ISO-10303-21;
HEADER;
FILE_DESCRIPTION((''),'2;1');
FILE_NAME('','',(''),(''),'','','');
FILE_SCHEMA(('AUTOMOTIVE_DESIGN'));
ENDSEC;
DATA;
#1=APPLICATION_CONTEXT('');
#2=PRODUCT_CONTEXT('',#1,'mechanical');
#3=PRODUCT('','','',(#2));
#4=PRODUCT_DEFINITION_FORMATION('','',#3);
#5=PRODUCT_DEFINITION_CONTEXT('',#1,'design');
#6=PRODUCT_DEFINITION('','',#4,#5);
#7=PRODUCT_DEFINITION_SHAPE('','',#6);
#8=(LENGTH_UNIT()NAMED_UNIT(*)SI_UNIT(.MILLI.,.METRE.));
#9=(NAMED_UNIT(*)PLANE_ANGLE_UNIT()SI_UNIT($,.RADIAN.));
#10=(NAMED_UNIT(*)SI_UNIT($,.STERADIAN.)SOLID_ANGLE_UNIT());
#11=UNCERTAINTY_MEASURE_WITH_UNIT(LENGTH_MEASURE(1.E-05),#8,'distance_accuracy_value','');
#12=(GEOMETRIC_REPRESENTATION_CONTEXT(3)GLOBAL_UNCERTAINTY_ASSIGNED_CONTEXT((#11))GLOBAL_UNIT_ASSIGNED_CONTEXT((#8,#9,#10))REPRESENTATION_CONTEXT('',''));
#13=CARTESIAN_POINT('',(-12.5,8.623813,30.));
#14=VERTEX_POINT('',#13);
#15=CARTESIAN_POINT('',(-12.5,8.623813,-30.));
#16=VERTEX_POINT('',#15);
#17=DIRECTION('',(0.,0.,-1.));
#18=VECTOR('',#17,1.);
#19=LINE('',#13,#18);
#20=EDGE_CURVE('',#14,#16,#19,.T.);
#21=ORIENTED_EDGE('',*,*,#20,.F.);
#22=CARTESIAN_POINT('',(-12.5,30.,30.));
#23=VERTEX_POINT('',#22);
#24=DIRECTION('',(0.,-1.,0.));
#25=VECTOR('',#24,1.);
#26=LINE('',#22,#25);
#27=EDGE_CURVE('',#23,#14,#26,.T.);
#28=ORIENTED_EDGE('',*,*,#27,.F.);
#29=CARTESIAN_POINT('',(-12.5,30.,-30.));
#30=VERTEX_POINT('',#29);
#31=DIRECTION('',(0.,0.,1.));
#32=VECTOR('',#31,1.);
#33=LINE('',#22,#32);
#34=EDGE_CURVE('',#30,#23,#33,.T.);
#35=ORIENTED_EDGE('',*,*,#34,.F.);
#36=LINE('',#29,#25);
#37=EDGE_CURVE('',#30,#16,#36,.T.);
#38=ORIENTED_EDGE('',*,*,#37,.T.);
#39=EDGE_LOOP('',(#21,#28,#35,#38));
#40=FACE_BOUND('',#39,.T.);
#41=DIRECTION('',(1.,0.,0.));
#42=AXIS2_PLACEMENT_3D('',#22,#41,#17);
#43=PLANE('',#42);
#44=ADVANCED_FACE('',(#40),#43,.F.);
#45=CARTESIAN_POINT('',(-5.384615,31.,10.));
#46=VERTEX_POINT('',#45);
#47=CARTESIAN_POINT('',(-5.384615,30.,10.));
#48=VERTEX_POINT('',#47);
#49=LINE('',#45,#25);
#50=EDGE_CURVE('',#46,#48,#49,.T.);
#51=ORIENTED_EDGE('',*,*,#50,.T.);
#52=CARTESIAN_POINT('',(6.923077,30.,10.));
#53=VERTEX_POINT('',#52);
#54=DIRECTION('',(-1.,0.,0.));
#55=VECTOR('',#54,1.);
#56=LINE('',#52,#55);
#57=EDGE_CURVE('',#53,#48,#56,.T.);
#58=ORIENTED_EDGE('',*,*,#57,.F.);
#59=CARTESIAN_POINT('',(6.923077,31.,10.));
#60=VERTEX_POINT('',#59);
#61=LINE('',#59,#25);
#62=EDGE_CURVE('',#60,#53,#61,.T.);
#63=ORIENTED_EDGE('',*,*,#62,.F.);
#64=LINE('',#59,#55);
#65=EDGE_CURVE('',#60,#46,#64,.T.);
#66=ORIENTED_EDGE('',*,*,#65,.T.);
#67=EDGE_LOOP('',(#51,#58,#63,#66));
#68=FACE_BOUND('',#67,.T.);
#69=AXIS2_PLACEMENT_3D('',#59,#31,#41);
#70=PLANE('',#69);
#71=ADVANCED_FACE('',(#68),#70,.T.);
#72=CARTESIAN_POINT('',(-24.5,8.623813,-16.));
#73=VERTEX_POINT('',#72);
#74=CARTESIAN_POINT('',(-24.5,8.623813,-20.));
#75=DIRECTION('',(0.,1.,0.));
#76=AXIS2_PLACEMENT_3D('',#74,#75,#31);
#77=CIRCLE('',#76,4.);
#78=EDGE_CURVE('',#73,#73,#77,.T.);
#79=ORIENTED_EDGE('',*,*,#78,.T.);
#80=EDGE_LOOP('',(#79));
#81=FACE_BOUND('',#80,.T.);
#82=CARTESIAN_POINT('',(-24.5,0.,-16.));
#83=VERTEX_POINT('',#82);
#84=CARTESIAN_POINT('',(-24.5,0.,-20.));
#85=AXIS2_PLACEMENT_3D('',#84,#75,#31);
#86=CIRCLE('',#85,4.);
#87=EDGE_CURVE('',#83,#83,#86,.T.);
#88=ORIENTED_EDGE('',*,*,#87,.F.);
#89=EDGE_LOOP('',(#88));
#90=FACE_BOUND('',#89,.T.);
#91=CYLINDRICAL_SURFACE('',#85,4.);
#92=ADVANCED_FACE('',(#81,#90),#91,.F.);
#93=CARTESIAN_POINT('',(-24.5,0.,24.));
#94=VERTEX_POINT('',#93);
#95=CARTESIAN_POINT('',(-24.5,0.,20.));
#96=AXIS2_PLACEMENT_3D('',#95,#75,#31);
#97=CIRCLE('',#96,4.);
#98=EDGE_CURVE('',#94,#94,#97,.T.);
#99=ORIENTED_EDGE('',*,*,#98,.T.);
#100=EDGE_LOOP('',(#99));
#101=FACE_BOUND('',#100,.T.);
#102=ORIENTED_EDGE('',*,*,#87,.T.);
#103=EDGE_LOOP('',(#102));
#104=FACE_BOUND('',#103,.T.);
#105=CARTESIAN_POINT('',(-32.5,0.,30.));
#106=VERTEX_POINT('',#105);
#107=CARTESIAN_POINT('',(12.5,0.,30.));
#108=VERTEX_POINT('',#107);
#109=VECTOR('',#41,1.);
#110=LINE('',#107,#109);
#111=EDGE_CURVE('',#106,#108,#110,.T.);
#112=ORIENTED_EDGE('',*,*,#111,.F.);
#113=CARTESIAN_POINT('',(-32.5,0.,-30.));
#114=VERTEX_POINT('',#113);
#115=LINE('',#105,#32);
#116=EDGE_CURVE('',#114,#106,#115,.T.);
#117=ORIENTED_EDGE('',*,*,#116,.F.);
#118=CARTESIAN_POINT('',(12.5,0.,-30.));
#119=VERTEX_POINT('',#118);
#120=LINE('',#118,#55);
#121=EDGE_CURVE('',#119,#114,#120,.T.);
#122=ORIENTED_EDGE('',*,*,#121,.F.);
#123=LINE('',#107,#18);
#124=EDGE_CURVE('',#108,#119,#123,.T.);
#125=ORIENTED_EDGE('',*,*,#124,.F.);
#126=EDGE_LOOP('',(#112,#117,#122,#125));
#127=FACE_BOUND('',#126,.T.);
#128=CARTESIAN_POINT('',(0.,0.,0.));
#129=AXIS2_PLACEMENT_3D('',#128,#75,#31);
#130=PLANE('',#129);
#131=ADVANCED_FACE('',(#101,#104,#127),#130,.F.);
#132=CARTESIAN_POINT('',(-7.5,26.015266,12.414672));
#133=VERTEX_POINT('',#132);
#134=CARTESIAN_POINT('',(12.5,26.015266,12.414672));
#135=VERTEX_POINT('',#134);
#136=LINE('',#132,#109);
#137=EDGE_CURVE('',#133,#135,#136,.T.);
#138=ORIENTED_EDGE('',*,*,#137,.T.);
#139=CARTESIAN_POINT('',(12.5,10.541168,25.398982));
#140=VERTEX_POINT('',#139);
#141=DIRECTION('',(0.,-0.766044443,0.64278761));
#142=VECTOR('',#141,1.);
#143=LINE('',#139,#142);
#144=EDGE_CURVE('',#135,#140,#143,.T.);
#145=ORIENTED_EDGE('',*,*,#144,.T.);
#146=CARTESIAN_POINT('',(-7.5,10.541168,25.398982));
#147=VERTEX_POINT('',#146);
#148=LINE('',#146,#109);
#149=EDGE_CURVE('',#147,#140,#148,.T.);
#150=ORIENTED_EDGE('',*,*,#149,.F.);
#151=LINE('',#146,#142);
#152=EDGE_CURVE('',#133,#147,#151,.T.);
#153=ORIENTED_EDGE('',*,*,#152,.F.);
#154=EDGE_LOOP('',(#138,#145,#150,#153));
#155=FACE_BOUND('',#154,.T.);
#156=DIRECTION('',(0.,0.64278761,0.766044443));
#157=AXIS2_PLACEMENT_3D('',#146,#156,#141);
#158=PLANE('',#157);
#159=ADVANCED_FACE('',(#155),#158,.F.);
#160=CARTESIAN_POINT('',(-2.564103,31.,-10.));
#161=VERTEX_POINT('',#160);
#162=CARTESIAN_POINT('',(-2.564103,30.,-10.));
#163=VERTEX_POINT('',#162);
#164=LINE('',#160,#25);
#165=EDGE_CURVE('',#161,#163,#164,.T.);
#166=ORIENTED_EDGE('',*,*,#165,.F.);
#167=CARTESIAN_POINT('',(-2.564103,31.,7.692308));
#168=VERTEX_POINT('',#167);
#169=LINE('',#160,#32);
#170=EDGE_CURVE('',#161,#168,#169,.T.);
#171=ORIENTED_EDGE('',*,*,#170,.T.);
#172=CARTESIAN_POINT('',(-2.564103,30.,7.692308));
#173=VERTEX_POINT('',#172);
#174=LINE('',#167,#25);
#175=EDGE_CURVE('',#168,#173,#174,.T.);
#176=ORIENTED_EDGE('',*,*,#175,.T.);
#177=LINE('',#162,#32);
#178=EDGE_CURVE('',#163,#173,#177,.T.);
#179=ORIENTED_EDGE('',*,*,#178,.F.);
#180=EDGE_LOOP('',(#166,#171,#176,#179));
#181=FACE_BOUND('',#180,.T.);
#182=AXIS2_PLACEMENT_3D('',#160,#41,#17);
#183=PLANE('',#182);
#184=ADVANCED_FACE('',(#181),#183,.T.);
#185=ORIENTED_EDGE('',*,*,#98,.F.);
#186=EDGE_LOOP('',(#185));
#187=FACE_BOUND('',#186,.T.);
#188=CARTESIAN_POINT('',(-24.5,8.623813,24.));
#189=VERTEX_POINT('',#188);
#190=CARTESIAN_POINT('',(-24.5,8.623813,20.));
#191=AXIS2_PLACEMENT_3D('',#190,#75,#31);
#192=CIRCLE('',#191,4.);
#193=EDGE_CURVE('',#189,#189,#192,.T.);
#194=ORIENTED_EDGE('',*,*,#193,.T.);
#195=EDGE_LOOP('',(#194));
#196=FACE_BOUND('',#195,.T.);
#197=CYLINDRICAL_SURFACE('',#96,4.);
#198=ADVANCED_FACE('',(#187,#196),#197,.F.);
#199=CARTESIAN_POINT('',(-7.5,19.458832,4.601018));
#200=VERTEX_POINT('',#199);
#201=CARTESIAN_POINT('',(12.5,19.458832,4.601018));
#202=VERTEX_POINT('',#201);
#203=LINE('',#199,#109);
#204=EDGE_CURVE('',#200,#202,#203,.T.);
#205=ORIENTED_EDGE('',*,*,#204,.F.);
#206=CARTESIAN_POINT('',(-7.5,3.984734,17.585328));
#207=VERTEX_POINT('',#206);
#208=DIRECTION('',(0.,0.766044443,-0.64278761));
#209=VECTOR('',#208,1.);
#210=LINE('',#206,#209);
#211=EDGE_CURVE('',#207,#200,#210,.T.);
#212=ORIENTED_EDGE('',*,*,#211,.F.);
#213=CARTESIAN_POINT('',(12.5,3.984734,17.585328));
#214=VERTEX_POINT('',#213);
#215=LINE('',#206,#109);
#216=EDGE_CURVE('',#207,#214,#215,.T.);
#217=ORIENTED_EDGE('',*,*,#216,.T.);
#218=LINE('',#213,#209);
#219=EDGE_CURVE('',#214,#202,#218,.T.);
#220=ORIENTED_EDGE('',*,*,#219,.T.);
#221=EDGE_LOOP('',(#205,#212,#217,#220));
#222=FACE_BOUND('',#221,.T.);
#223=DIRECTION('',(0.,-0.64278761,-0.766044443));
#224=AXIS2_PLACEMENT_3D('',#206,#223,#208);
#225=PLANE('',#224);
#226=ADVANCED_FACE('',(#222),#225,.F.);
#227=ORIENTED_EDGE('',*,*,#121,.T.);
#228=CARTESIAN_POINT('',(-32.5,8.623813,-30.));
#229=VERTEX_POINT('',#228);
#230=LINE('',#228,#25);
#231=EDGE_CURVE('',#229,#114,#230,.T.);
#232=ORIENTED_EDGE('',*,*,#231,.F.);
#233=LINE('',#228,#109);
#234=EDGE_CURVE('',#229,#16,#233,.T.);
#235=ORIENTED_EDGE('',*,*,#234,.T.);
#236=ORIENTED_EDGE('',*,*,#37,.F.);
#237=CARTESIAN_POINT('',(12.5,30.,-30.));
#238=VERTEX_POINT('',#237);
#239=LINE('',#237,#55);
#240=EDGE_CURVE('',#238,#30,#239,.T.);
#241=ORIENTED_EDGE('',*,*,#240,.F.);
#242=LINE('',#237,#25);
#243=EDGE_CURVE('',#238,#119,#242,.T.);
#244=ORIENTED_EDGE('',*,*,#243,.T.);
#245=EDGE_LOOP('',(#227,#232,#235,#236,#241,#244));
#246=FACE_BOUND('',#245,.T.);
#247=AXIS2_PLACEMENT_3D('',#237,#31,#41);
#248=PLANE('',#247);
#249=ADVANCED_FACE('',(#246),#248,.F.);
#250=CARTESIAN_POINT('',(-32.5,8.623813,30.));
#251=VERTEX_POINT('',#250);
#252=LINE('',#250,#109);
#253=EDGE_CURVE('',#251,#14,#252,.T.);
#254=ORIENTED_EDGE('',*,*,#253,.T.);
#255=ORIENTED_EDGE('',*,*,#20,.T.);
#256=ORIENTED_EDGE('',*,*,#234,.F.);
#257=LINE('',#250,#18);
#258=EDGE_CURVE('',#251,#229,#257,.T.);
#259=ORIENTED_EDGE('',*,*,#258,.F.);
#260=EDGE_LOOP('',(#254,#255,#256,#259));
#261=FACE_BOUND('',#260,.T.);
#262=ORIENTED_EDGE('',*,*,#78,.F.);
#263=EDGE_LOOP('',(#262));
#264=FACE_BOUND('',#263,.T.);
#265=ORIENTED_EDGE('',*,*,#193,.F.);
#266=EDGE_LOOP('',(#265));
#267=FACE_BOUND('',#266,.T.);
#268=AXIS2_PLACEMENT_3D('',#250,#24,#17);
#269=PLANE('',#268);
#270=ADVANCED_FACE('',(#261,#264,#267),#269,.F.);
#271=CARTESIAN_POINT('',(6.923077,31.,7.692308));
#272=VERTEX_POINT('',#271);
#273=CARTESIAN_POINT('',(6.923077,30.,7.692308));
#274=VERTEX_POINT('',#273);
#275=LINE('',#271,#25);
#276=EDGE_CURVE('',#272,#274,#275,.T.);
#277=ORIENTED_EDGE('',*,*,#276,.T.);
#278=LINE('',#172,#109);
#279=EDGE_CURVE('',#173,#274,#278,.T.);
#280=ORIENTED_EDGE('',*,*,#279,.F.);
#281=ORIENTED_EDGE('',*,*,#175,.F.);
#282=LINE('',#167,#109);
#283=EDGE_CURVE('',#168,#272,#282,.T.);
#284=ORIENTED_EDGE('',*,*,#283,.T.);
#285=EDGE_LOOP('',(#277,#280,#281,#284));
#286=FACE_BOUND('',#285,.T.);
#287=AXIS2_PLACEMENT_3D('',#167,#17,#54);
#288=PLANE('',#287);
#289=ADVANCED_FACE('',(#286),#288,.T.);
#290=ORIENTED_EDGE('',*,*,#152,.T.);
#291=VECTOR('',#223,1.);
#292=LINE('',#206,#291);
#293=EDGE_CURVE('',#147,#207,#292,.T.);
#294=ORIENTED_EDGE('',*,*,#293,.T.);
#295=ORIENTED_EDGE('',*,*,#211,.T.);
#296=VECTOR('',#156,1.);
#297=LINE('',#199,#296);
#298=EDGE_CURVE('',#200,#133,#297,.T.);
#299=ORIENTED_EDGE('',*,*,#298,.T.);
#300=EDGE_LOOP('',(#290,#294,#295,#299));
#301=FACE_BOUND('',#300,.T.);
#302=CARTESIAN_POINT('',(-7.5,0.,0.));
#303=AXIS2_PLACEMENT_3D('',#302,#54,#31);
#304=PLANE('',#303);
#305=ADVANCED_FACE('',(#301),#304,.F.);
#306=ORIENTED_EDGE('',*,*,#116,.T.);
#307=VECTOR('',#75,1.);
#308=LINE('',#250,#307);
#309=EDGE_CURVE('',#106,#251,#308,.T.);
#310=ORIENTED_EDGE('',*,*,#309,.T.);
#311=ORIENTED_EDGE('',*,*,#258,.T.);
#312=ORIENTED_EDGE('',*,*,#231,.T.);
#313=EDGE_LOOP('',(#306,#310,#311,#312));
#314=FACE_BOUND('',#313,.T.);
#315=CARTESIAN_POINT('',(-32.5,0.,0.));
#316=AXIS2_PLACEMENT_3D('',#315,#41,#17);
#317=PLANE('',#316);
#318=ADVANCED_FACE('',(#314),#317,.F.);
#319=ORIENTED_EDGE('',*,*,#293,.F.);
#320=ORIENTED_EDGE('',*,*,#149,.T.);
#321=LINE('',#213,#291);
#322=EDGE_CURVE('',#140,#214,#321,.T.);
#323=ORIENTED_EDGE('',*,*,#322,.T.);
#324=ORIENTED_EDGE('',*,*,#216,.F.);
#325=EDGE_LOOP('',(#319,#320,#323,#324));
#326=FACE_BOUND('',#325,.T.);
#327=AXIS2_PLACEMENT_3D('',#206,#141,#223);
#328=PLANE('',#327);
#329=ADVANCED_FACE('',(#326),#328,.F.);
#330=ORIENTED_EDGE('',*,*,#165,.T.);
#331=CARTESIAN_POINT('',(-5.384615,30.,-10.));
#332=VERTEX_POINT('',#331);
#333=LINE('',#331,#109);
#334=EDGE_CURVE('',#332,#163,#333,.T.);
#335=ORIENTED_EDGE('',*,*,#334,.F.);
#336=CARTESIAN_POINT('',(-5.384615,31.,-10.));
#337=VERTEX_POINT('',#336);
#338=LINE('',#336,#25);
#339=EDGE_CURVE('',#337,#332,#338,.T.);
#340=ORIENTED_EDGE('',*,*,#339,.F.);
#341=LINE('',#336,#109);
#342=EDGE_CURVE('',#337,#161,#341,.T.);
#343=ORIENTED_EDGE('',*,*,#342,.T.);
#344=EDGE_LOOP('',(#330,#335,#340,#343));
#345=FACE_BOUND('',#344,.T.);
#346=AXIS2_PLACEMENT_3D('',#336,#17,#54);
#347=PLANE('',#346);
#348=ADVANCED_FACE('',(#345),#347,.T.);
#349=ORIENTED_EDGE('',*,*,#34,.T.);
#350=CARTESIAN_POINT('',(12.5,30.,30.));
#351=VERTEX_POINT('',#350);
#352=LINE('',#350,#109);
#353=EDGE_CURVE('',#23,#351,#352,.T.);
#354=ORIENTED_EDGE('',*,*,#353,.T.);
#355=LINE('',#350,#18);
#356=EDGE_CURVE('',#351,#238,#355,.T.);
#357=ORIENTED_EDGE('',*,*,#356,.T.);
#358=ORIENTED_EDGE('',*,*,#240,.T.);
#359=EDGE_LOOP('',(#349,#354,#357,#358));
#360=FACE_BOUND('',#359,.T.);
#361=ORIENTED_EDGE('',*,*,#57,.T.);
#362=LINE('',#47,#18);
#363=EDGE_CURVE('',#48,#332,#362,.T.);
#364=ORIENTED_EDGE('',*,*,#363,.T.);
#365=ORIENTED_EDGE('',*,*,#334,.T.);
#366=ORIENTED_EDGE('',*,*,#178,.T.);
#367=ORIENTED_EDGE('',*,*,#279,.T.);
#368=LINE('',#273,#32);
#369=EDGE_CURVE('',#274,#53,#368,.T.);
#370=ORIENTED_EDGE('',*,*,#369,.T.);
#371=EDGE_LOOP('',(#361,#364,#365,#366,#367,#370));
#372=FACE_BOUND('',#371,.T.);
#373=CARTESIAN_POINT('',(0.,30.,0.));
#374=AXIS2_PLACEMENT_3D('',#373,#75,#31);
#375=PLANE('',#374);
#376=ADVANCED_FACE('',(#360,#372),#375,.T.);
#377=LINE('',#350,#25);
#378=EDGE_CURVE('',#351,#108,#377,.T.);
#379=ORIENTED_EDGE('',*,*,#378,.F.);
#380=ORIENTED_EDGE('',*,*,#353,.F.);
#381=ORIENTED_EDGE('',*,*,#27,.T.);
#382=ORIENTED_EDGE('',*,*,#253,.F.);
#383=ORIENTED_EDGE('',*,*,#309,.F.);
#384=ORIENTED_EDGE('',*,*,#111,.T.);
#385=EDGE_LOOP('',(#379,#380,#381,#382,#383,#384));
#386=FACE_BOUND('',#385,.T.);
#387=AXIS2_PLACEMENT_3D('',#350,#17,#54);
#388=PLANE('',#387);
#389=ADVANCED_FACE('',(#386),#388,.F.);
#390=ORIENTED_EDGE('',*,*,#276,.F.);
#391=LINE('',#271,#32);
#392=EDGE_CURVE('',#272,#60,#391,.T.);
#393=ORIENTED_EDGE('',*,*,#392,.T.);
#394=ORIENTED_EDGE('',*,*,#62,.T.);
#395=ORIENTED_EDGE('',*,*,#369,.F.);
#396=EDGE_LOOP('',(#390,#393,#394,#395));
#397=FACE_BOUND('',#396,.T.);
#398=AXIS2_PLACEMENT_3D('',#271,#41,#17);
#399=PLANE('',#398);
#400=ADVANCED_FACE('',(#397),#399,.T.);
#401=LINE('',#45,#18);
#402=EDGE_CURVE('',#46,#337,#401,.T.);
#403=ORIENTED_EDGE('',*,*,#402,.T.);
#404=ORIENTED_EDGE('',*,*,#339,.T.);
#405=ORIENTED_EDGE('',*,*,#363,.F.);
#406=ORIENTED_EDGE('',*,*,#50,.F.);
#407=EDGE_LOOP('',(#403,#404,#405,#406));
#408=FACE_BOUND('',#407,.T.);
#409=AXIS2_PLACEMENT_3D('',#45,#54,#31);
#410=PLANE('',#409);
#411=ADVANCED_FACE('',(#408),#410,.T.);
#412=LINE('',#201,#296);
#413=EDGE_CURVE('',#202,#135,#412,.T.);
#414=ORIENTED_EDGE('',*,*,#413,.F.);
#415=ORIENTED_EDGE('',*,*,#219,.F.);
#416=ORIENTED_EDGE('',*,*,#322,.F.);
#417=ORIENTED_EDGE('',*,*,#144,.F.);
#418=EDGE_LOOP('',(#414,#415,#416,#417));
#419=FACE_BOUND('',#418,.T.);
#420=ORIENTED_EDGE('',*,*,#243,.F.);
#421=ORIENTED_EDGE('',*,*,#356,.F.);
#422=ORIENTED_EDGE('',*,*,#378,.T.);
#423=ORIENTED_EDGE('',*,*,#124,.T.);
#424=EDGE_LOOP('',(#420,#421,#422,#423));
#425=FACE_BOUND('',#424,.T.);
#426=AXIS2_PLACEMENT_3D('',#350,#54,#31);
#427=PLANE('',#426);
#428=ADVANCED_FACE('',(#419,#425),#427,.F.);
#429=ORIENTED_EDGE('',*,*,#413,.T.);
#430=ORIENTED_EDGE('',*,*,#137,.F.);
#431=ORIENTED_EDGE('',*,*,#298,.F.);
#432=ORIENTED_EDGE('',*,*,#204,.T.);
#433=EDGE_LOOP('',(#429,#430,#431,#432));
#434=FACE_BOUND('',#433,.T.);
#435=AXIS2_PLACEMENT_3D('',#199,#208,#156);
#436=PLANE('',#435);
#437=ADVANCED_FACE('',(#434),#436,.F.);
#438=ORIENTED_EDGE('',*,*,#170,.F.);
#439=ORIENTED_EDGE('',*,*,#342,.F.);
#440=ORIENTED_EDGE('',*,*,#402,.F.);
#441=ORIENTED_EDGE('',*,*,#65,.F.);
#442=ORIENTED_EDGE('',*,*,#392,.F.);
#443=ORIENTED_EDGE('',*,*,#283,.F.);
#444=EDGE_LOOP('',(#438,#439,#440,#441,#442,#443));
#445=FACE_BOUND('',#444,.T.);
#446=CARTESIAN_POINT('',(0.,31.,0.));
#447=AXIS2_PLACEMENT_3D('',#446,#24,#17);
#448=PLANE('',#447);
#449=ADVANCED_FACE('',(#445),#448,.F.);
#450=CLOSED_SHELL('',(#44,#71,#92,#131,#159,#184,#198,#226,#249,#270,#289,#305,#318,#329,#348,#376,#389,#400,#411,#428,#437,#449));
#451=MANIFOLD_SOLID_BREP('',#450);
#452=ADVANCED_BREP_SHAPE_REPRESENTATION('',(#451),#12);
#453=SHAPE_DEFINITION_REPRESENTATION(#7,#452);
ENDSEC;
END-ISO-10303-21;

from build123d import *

# Parameters (mm, degrees)
SKETCH1_W           = 25
SKETCH1_H           = 60
BOSS_EXTRUDE1_DEPTH = 30
SKETCH2_W           = 60
SKETCH2_H           = 8.623813306
BOSS_EXTRUDE2_DEPTH = 20
SKETCH3_R           = 4
CUT_EXTRUDE1_DEPTH  = 9.623813306
CUT_EXTRUDE2_DEPTH  = 20
BOSS_EXTRUDE3_DEPTH = 1


with BuildPart() as part:
    # Sketch1 → Boss-Extrude1 (new body)
    with BuildSketch(Plane(origin=(0, 0, 0), x_dir=(1, 0, 0), z_dir=(0, 1, 0))):
        Rectangle(SKETCH1_W, SKETCH1_H)
    extrude(amount=BOSS_EXTRUDE1_DEPTH)

    # Sketch2 → Boss-Extrude2 (add)
    with BuildSketch(Plane.ZY.offset(12.5)):
        with Locations((0, 4.311906653)):
            Rectangle(SKETCH2_W, SKETCH2_H)
    extrude(amount=BOSS_EXTRUDE2_DEPTH)

    # Sketch3 → Cut-Extrude1 (cut, through all)
    with BuildSketch(Plane(origin=(0, 8.623813306, 0), x_dir=(1, 0, 0), z_dir=(0, 1, 0))):
        with Locations(Location((-24.5, 20, 0), (0, 0, 270))):  # turned: the seam where the file's is
            Circle(SKETCH3_R)
        with Locations(Location((-24.5, -20, 0), (0, 0, 270))):  # turned: the seam where the file's is
            Circle(SKETCH3_R)
    extrude(amount=-CUT_EXTRUDE1_DEPTH, mode=Mode.SUBTRACT)

    # Sketch4 → Cut-Extrude2 (cut)
    with BuildSketch(Plane(origin=(12.5, 0, 0), x_dir=(0, 0, -1), z_dir=(1, 0, 0))):
        Polygon((-17.585328198, 3.984734315), (-4.601018482, 19.458832066), (-12.414671802, 26.015265685), (-25.398981518, 10.541167934), align=None)
    extrude(amount=-CUT_EXTRUDE2_DEPTH, mode=Mode.SUBTRACT)

    # Sketch5 → Boss-Extrude3 (add)
    with BuildSketch(Plane(origin=(0, 30, 0), x_dir=(1, 0, 0), z_dir=(0, 1, 0))):
        Polygon((-5.384615385, -10), (-5.384615385, 10), (-2.564102564, 10), (-2.564102564, -7.692307692), (6.923076923, -7.692307692), (6.923076923, -10), align=None)
    extrude(amount=BOSS_EXTRUDE3_DEPTH)


solid = part.part
